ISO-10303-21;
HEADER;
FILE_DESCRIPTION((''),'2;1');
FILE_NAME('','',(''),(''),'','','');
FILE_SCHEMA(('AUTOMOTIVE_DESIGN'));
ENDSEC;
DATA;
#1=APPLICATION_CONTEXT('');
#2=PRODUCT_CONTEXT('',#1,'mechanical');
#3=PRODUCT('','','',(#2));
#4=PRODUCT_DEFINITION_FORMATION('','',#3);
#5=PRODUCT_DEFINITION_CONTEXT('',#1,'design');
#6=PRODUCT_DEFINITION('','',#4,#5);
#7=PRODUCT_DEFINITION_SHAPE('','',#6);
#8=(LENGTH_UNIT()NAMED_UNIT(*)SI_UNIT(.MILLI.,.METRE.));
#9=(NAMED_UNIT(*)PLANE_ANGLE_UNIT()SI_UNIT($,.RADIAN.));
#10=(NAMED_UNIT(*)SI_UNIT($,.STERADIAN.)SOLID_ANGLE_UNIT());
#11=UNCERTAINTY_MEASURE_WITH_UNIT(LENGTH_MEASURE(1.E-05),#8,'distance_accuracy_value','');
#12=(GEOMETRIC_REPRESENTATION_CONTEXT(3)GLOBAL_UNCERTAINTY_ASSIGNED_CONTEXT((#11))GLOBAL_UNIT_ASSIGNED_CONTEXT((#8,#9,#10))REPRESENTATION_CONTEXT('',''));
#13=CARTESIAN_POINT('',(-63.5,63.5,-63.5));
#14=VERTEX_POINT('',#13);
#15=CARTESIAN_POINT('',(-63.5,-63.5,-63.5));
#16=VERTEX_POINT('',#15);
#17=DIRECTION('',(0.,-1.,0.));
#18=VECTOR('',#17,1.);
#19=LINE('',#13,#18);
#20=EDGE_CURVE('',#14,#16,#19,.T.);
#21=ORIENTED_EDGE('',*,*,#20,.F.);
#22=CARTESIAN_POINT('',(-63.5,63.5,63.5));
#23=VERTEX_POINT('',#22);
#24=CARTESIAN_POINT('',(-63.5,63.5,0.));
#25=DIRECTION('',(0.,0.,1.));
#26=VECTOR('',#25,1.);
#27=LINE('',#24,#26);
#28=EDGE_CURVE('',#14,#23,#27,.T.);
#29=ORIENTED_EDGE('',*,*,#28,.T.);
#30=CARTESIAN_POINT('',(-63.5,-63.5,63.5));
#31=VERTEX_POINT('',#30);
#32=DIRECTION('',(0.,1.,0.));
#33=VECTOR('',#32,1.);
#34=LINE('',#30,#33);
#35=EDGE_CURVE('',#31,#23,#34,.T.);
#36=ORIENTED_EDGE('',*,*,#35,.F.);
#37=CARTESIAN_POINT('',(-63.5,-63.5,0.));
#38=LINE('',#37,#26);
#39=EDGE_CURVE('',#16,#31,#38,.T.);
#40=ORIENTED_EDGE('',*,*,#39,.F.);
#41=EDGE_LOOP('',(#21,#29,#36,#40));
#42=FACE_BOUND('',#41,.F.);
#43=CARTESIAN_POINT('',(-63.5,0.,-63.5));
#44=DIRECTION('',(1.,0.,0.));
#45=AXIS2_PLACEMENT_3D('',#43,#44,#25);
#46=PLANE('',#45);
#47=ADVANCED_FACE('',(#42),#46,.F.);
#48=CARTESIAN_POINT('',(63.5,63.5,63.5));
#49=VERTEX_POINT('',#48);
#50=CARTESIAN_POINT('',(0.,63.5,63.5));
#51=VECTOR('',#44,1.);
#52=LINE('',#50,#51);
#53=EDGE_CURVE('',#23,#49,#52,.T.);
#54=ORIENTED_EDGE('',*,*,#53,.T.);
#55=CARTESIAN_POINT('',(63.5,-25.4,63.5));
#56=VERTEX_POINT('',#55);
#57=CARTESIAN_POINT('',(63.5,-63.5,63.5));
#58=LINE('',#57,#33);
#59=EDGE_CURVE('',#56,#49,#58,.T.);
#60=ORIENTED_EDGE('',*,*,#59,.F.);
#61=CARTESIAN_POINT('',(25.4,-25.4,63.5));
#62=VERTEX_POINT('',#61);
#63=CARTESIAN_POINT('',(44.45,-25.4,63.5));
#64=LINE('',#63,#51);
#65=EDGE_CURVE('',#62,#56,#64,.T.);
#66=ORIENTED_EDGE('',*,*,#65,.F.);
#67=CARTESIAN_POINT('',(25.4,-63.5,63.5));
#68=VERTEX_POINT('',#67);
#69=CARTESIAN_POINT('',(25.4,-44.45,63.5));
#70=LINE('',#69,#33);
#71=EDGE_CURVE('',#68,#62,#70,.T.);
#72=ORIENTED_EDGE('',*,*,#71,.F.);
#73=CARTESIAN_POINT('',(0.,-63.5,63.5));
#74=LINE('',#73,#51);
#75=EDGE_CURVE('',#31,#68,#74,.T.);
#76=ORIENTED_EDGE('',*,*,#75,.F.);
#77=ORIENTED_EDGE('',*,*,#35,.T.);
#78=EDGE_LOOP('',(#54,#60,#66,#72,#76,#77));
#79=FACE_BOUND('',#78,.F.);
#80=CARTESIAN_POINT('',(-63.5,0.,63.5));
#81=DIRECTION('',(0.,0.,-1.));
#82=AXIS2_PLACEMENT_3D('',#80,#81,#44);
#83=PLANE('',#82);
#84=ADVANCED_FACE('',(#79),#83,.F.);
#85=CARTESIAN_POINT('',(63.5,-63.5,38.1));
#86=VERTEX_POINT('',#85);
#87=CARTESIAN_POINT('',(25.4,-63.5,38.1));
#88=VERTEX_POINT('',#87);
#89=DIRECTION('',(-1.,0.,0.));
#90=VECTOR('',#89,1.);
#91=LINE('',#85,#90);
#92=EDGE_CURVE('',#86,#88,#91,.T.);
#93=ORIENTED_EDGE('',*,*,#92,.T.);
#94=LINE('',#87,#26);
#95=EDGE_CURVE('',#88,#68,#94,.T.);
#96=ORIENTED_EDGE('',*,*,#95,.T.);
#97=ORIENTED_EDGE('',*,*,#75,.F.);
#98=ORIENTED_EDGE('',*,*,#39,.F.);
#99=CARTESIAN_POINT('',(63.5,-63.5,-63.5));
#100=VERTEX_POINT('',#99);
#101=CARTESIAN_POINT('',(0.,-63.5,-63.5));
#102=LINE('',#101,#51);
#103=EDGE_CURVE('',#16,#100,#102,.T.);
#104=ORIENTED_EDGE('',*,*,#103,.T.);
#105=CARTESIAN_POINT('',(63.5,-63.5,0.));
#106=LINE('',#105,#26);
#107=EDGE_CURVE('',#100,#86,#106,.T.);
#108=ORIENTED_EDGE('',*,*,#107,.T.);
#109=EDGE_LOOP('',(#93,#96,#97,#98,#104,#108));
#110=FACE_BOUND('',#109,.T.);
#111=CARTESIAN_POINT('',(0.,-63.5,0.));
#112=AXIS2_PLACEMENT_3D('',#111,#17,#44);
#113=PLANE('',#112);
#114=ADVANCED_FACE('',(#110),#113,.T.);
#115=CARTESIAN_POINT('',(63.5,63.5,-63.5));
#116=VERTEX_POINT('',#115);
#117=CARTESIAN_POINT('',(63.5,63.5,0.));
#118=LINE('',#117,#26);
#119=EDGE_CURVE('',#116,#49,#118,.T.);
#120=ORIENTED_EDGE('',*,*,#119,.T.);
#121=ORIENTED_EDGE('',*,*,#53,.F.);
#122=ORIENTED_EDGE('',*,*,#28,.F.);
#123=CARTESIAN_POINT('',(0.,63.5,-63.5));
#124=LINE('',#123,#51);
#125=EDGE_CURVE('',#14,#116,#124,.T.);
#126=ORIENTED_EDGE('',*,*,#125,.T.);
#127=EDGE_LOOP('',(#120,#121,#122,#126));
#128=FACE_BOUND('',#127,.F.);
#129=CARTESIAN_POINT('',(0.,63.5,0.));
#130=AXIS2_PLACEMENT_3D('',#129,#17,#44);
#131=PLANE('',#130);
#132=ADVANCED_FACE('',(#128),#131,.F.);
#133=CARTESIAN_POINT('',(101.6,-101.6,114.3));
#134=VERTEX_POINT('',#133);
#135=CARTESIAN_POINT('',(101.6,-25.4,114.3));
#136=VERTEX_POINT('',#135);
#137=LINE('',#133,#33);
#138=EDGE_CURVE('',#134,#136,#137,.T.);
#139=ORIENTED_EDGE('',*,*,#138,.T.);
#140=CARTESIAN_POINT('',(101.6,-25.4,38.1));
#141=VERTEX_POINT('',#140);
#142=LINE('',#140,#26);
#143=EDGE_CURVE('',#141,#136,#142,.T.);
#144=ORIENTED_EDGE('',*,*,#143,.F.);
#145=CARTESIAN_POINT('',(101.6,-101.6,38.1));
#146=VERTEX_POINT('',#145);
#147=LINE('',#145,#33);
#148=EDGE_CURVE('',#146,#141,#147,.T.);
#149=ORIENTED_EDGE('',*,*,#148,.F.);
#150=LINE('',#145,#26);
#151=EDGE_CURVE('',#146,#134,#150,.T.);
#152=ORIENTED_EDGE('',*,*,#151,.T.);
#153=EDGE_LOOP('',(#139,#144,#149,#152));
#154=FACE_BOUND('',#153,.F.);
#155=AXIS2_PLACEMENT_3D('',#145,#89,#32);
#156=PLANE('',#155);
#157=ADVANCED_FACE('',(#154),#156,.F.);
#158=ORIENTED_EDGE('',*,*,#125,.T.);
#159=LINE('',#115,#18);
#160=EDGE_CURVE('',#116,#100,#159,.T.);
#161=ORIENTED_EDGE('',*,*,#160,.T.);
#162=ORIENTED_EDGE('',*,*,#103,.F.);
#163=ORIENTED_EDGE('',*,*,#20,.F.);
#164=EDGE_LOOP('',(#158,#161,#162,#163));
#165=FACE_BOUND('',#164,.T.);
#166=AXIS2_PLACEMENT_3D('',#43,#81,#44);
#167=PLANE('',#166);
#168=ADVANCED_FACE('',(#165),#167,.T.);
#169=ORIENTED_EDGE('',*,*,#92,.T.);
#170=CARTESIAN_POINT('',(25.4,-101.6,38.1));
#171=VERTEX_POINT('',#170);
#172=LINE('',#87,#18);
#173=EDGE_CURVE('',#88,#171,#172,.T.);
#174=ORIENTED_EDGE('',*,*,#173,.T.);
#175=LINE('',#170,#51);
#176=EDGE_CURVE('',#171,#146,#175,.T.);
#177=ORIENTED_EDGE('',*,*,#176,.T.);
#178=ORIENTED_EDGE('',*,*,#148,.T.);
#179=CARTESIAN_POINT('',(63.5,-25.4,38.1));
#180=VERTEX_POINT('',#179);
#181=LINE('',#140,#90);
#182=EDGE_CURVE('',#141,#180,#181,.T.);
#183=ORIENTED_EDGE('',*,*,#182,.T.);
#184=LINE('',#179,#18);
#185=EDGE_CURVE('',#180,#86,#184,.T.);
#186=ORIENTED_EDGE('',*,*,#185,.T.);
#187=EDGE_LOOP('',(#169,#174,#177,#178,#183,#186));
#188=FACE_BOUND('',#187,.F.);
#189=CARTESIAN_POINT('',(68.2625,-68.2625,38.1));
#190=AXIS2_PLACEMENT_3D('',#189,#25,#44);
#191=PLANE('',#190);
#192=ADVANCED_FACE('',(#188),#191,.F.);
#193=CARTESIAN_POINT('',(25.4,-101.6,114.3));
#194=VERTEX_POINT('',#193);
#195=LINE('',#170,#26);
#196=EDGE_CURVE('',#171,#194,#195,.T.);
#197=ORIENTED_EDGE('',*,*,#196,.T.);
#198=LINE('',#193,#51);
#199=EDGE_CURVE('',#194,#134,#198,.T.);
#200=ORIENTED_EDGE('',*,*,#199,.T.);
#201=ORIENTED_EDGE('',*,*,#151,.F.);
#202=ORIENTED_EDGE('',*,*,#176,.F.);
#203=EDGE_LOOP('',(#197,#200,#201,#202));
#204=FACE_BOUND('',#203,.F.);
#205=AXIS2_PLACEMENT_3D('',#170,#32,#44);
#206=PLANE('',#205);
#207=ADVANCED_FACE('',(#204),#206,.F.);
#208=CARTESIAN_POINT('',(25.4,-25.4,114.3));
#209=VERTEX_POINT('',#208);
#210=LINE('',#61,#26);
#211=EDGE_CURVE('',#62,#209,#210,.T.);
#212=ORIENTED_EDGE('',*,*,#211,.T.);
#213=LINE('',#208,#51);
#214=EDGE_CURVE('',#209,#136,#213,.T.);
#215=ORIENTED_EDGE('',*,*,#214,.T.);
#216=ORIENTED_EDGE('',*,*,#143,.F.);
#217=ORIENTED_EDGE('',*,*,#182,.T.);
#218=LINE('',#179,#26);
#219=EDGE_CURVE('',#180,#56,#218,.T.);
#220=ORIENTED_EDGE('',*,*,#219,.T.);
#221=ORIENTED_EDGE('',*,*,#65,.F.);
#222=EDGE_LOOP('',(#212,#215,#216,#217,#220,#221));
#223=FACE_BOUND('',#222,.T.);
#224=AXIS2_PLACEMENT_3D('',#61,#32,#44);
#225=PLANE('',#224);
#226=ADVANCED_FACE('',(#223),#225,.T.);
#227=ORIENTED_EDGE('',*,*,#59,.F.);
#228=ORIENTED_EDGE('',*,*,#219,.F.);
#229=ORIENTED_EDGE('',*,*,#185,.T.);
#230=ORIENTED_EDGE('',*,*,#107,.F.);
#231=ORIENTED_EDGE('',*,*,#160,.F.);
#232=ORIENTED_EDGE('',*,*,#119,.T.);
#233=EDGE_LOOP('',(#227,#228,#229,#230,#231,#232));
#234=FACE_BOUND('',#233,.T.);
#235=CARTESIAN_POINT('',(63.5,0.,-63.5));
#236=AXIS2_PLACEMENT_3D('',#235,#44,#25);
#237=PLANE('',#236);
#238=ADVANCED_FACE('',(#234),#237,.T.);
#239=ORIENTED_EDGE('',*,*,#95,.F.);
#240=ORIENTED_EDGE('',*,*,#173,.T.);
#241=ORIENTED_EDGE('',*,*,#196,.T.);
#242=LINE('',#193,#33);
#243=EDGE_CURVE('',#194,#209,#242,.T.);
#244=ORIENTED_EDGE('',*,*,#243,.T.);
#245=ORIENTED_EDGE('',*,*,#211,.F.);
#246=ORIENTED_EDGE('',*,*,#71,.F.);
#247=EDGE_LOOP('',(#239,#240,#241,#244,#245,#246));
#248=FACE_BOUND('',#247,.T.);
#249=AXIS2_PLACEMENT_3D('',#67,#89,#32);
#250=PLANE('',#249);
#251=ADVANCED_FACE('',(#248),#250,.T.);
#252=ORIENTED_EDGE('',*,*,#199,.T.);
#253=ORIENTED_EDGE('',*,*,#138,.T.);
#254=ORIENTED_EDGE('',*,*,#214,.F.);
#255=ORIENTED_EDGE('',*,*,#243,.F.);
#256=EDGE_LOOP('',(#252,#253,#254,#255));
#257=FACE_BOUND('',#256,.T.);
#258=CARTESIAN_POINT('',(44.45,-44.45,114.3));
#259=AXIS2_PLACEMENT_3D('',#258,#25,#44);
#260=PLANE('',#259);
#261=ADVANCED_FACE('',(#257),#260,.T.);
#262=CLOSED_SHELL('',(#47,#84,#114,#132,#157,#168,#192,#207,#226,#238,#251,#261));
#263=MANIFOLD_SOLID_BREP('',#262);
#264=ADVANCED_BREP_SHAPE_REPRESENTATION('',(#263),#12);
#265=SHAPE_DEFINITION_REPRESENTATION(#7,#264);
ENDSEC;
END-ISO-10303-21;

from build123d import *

# Parameters (mm, degrees)
F0_W     = 127
F0_H     = 127
F1_DEPTH = 63.5
F4_DEPTH = 76.2
F5_W     = 38.1
F5_H     = 38.1
F6_DEPTH = 50.8


with BuildPart() as f1:
    # F0 (on Front) → F1 (new body, symmetric)
    with BuildSketch(Plane.XZ):
        Rectangle(F0_W, F0_H)
    extrude(amount=F1_DEPTH, both=True)

    # F3 (on offset) → F4 (join)
    with BuildSketch(Plane.XY.offset(38.1)):
        Polygon((101.6, -25.4), (63.5, -25.4), (63.5, -63.5), (25.4, -63.5), (25.4, -101.6), (101.6, -101.6), align=None)
    extrude(amount=F4_DEPTH)

    # F5 (on face) → F6 (join)
    with BuildSketch(Plane.XY.offset(63.5)):
        with Locations((44.45, -44.45)):
            Rectangle(F5_W, F5_H)
    extrude(amount=F6_DEPTH)


solid = f1.part
